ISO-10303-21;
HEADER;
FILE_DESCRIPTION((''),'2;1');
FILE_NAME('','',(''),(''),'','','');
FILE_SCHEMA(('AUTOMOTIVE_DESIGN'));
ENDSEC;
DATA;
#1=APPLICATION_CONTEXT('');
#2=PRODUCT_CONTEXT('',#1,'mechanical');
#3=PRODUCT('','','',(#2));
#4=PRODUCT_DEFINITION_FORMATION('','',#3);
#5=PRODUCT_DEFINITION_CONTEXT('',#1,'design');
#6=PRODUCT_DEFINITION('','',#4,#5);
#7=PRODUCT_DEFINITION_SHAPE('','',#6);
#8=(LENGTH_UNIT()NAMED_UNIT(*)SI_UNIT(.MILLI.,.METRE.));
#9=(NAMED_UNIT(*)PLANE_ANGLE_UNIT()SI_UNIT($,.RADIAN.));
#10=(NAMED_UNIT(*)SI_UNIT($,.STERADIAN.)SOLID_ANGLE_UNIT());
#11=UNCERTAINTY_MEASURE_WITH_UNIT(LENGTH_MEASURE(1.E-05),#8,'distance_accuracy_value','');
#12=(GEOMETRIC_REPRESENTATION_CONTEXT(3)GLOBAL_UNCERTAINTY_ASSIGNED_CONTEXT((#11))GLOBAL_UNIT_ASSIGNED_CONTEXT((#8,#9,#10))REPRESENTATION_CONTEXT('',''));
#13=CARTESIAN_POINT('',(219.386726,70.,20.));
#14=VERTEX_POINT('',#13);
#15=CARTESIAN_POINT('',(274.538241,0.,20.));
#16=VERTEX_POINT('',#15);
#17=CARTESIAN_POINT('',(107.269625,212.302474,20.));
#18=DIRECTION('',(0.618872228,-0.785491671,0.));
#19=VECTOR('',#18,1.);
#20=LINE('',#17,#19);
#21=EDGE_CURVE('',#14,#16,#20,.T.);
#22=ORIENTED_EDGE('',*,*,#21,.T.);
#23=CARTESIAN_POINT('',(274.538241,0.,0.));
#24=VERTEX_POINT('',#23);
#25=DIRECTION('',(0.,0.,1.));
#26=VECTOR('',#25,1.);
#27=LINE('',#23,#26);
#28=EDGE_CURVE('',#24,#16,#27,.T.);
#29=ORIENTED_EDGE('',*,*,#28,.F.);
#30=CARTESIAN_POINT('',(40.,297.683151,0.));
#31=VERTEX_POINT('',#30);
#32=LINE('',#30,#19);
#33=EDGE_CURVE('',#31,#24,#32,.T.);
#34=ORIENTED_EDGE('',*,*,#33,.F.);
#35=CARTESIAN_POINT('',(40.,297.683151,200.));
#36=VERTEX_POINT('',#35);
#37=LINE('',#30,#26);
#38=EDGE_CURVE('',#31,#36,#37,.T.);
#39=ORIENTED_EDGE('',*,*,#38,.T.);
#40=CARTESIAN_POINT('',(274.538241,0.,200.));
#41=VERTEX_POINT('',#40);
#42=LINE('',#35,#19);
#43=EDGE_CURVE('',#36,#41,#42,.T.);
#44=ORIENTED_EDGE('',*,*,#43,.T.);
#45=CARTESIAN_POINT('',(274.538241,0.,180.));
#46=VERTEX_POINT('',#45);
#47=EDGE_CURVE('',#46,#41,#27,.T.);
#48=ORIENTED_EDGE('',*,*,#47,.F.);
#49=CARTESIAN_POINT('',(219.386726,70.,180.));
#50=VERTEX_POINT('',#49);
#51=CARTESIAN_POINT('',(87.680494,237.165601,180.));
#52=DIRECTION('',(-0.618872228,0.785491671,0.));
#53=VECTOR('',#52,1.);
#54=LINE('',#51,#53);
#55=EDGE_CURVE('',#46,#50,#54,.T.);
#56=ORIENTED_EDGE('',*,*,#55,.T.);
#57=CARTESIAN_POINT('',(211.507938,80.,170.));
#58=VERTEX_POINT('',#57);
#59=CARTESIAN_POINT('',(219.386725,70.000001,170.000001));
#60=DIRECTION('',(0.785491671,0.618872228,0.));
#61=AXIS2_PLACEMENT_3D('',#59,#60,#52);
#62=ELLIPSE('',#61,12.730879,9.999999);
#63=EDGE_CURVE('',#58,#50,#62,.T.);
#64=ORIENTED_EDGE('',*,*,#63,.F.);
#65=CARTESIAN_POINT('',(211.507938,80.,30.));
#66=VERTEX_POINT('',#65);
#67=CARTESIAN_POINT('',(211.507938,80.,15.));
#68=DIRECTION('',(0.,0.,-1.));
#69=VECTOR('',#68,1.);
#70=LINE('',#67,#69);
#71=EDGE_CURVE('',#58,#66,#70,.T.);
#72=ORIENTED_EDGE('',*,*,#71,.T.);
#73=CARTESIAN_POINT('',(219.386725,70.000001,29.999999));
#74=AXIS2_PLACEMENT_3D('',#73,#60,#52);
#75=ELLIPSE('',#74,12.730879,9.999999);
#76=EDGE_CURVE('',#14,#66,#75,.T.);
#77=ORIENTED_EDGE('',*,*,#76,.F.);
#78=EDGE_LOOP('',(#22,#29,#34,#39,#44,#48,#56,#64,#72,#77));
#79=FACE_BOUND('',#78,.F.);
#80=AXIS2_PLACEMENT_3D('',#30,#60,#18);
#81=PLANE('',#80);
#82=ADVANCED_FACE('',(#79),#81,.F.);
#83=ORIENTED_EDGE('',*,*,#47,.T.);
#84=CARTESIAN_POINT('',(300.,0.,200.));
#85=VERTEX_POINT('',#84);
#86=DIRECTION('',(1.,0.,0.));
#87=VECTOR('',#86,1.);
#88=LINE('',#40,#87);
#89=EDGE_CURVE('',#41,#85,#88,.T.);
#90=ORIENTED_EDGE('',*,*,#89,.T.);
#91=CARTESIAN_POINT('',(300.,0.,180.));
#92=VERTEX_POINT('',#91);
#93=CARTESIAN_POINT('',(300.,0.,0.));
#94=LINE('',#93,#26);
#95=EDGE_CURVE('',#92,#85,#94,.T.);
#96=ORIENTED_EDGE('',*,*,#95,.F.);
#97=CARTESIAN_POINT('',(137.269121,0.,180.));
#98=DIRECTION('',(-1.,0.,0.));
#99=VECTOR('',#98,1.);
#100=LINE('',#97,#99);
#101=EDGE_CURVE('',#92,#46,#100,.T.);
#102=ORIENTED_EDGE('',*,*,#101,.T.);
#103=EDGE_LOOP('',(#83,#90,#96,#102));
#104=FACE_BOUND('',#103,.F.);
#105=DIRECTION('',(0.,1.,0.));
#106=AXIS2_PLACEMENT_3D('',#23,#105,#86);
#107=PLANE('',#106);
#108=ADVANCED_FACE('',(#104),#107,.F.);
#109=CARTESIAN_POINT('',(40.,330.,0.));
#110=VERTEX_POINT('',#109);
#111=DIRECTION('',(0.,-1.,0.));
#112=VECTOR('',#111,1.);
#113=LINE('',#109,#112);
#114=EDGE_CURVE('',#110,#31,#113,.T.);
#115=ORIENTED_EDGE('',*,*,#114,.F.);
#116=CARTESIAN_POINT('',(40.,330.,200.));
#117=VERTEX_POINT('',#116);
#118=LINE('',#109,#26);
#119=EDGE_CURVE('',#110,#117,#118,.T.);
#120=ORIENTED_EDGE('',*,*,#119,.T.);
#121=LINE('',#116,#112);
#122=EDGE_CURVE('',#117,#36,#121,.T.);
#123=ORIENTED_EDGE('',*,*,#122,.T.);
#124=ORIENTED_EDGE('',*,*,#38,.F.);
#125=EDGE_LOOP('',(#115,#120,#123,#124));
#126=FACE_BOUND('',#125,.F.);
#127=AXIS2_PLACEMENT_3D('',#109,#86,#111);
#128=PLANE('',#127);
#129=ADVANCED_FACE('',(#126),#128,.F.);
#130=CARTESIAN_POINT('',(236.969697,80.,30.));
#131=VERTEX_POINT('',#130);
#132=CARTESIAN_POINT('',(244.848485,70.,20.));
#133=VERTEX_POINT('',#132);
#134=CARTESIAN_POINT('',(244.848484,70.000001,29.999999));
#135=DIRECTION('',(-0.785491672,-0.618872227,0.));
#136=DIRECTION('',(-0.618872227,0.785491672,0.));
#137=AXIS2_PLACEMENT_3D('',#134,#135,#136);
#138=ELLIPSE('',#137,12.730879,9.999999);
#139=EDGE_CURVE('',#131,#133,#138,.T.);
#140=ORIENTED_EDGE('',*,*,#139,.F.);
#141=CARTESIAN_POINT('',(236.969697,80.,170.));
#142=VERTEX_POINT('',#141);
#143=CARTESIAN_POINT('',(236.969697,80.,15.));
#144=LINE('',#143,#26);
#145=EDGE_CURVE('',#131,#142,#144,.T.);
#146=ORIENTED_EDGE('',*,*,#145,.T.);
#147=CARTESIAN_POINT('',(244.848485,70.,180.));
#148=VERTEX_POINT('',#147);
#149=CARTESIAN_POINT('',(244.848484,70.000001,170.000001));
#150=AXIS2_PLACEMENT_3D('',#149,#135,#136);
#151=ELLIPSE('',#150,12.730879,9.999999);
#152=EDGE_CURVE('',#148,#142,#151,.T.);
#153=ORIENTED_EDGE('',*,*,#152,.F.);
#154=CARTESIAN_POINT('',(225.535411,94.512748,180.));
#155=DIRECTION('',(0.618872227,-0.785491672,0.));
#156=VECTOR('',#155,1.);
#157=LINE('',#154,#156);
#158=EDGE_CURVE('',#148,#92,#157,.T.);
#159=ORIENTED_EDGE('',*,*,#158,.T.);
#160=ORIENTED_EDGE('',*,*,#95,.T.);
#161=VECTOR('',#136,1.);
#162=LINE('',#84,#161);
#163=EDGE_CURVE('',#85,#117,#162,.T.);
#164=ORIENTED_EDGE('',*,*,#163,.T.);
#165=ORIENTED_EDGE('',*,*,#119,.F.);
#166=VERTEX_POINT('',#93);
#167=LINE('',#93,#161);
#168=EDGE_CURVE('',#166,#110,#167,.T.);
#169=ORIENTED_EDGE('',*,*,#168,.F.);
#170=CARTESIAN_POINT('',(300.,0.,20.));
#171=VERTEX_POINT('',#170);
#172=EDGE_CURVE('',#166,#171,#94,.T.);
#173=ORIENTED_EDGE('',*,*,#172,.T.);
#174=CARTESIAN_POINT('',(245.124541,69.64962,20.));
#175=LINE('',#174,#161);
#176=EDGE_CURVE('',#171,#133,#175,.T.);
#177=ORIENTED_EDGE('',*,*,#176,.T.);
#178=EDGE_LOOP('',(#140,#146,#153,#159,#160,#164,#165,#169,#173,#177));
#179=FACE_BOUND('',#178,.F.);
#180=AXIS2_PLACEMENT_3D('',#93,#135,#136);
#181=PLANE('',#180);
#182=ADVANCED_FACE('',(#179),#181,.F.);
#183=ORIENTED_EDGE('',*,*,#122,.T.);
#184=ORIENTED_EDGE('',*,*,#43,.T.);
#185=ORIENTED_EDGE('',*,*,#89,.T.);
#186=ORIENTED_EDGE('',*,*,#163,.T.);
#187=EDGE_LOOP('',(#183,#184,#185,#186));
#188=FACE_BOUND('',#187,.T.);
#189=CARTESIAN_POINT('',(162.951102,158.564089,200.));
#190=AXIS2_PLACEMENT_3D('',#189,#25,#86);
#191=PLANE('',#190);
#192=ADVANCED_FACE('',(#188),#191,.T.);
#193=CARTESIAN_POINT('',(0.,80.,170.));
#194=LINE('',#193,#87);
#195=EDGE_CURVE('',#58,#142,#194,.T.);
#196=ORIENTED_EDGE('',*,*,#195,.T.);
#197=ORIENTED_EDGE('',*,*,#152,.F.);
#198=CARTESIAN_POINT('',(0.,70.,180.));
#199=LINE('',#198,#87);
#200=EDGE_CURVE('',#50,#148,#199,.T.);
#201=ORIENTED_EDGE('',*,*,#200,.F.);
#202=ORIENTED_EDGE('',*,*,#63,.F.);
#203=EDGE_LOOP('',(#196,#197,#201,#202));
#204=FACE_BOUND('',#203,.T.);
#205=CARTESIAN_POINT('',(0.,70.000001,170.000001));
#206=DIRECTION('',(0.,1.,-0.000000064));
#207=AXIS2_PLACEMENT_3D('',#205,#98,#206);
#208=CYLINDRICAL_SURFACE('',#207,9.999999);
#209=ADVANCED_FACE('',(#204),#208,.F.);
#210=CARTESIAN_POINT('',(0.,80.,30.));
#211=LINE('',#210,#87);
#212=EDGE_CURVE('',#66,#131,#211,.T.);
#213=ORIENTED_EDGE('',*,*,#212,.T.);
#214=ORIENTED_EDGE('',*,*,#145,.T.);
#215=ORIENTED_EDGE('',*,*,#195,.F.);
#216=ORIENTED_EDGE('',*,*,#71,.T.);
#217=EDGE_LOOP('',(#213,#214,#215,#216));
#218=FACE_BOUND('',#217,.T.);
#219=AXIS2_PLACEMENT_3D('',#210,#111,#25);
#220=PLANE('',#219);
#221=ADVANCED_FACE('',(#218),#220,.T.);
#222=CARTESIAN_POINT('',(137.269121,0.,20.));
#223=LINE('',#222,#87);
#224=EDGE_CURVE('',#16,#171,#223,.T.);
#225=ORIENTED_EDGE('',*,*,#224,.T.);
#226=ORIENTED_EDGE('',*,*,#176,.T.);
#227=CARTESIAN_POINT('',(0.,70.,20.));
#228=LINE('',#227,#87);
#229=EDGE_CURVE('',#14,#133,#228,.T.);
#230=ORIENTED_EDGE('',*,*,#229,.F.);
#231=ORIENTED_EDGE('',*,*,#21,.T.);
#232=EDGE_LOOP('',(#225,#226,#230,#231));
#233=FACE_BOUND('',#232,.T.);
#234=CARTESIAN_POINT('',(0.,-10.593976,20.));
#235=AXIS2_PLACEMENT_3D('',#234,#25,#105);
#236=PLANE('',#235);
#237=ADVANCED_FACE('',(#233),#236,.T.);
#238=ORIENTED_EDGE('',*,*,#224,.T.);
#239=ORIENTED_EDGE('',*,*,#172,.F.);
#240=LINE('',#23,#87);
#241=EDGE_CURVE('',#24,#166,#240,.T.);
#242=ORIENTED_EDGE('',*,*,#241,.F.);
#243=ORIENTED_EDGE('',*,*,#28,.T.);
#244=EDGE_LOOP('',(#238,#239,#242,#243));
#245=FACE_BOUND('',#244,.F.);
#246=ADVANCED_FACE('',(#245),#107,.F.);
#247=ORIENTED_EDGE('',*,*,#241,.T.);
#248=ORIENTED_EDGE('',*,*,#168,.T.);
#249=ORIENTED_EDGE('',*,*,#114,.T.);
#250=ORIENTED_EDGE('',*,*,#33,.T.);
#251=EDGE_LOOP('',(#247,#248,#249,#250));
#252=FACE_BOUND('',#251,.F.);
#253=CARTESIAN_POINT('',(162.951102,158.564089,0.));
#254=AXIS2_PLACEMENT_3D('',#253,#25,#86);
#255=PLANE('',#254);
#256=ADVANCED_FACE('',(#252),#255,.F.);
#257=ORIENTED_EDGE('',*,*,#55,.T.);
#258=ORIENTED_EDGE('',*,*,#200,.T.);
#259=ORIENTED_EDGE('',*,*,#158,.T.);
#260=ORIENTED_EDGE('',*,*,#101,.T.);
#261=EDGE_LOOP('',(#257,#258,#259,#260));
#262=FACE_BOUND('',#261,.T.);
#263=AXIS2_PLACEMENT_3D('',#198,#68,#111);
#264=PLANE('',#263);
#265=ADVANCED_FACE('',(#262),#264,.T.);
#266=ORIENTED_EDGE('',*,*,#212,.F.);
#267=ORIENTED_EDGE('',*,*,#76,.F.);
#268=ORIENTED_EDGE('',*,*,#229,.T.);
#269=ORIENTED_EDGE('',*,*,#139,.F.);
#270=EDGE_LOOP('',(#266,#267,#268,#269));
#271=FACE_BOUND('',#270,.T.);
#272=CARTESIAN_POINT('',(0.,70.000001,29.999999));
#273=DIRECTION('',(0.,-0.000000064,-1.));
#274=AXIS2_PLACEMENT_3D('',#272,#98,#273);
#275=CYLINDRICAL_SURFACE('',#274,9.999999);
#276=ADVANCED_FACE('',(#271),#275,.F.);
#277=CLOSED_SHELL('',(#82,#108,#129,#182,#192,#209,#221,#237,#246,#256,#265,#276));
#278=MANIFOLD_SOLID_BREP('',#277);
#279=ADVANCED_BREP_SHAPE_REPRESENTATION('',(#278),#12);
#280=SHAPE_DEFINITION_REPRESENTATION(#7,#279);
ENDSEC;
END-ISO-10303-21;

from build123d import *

# Parameters (mm, degrees)
F1_DEPTH = 200
F2_W     = 10.593976
F2_H     = 10
F3_DEPTH = 467


with BuildPart() as f1:
    # F0 (on Top) → F1 (new body)
    with BuildSketch(Plane.XY):
        Polygon((40, 297.683151), (274.538241, 0), (300, 0), (40, 330), align=None)
    extrude(amount=F1_DEPTH)

    # F2 (on Right) → F3 (cut)
    with BuildSketch(Plane.YZ):
        with BuildLine():
            ThreePointArc((0, 170), (2.928932, 177.071068), (10, 180))
            Line((10, 180), (-16.794052, 180))
            Line((-16.794052, 180), (-16.794052, 171.051905))
            Line((-16.794052, 171.051905), (0, 170))
        make_face()
        with Locations((-5.296988, 25)):
            Rectangle(F2_W, F2_H)
        with BuildLine():
            Line((80, 30), (80, 170))
            ThreePointArc((80, 170), (77.071068, 177.071068), (70, 180))
            Line((70, 180), (10, 180))
            ThreePointArc((10, 180), (2.928932, 177.071068), (0, 170))
            Line((0, 170), (0, 100))
            Line((0, 100), (0, 30))
            ThreePointArc((0, 30), (2.928932, 22.928932), (10, 20))
            Line((10, 20), (70, 20))
            ThreePointArc((70, 20), (77.071068, 22.928932), (80, 30))
        make_face()
        with BuildLine():
            Line((0, 20), (10, 20))
            ThreePointArc((10, 20), (2.928932, 22.928932), (0, 30))
            Line((0, 30), (0, 20))
        make_face()
    extrude(amount=F3_DEPTH, mode=Mode.SUBTRACT)


solid = f1.part
